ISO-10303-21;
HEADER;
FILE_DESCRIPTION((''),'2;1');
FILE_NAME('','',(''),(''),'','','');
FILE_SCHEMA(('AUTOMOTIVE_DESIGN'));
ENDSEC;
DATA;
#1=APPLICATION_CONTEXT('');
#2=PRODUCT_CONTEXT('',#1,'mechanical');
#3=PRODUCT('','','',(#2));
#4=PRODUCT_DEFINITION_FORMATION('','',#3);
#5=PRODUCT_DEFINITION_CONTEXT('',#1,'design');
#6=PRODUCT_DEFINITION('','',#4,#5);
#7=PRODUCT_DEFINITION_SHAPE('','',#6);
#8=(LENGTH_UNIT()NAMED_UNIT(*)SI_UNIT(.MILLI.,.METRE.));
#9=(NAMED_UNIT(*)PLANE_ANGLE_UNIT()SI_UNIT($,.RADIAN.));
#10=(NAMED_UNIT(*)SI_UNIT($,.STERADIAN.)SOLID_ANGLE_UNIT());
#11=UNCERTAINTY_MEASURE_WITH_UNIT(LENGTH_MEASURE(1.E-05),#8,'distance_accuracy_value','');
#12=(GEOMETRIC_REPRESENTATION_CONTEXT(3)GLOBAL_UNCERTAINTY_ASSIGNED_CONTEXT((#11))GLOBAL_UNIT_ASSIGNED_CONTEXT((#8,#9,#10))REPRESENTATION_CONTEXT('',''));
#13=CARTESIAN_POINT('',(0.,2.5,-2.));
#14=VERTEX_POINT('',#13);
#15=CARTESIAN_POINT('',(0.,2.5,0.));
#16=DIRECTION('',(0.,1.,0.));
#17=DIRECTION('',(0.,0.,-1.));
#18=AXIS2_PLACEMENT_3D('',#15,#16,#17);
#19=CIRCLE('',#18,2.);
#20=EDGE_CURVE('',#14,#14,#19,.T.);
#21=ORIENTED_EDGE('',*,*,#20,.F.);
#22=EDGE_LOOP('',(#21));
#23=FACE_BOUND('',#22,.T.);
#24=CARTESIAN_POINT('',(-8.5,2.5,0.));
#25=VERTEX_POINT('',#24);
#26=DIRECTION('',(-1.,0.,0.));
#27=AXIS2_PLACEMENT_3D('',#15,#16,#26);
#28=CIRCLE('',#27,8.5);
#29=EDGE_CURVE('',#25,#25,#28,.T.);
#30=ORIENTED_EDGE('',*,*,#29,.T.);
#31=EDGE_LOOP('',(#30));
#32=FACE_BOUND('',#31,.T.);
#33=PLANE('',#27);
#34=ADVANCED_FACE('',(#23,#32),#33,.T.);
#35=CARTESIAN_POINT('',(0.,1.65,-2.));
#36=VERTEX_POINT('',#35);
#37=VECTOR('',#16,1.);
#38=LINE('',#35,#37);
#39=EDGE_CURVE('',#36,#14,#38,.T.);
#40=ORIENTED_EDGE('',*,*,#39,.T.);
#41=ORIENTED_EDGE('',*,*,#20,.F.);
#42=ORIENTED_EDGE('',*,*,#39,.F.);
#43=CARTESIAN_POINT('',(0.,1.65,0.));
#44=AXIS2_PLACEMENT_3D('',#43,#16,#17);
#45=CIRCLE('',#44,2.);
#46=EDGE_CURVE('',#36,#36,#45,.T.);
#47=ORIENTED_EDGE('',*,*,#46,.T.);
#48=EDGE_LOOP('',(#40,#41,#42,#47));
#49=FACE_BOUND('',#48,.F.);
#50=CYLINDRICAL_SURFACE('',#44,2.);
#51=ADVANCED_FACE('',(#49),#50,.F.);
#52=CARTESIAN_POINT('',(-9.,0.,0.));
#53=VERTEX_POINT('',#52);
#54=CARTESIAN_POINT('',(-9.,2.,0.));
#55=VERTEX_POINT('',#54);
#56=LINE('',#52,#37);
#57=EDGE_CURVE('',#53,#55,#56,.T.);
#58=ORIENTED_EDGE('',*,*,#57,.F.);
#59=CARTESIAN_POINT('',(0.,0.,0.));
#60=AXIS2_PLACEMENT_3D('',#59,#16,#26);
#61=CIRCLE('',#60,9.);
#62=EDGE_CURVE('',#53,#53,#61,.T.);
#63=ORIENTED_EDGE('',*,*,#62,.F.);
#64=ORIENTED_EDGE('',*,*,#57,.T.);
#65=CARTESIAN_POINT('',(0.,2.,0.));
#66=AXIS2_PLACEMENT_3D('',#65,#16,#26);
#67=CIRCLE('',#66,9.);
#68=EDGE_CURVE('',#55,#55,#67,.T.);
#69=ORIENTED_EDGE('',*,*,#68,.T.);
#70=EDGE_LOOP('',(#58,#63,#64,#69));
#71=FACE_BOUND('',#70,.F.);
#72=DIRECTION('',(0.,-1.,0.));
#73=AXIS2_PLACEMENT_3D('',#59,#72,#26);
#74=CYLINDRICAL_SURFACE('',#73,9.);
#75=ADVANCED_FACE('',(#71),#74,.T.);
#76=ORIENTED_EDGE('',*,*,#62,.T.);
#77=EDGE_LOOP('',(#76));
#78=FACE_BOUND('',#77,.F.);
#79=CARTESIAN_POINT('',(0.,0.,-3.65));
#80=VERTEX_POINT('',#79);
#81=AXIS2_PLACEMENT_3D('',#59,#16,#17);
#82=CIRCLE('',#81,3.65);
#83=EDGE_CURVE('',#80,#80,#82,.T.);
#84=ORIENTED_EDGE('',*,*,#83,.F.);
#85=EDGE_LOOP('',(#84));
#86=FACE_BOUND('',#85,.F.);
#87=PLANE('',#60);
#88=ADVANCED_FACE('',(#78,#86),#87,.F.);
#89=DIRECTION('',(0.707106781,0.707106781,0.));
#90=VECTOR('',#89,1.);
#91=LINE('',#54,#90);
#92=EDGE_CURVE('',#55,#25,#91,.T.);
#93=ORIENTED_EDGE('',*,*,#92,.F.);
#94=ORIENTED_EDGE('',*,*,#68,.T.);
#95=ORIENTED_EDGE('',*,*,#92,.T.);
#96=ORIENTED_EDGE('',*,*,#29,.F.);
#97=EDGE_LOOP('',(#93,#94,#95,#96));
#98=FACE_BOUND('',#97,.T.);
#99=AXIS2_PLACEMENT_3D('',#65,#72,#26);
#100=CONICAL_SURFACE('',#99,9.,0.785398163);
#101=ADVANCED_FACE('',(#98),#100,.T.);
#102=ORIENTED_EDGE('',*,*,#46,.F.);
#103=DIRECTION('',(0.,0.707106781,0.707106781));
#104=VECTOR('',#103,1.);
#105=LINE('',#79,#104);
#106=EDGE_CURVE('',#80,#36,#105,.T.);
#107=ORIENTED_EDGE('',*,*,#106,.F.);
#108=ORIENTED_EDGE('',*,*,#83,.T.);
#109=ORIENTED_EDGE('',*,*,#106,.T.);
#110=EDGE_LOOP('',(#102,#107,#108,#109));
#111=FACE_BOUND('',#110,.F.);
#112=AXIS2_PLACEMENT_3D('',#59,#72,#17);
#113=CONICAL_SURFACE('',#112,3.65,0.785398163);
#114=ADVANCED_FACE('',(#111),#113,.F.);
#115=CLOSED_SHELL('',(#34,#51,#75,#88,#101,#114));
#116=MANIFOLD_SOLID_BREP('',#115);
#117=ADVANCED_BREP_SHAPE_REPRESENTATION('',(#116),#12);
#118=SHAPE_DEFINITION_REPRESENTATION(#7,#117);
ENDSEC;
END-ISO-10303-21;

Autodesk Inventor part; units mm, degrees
ref_plane "YZ Plane" through (0, 0, 0) normal (1, 0, 0) x (0, 1, 0)
ref_plane "XZ Plane" through (0, 0, 0) normal (0, 1, 0) x (-1, 0, 0)
ref_plane "XY Plane" through (0, 0, 0) normal (0, 0, 1) x (1, 0, 0)
sketch "Boceto1" plane through (0, 0, 0) normal (0, 1, 0) x (-1, 0, 0)
  circle A0 centre (0, 0) radius 9
  dimension "d0" = 18
extrude "Extrusión1" add sketch "Boceto1" along normal blind 2.5
chamfer "Chaflán1" distance 0.5 angle 45 1 edges at (9, 2.5, 0)
sketch "Boceto2" plane through (0, 0, 0) normal (0, -1, 0) x (1, 0, 0)
  circle A0 centre (0, 0) radius 8.5 projected
  line L0 (9, 0) -> (0, 0)
hole "Agujero1" at (0, 0, 0) direction (0, 1, 0) diameter 4 end through all countersink diameter 7.3 countersink angle 90
properties part number "markers_base2"
